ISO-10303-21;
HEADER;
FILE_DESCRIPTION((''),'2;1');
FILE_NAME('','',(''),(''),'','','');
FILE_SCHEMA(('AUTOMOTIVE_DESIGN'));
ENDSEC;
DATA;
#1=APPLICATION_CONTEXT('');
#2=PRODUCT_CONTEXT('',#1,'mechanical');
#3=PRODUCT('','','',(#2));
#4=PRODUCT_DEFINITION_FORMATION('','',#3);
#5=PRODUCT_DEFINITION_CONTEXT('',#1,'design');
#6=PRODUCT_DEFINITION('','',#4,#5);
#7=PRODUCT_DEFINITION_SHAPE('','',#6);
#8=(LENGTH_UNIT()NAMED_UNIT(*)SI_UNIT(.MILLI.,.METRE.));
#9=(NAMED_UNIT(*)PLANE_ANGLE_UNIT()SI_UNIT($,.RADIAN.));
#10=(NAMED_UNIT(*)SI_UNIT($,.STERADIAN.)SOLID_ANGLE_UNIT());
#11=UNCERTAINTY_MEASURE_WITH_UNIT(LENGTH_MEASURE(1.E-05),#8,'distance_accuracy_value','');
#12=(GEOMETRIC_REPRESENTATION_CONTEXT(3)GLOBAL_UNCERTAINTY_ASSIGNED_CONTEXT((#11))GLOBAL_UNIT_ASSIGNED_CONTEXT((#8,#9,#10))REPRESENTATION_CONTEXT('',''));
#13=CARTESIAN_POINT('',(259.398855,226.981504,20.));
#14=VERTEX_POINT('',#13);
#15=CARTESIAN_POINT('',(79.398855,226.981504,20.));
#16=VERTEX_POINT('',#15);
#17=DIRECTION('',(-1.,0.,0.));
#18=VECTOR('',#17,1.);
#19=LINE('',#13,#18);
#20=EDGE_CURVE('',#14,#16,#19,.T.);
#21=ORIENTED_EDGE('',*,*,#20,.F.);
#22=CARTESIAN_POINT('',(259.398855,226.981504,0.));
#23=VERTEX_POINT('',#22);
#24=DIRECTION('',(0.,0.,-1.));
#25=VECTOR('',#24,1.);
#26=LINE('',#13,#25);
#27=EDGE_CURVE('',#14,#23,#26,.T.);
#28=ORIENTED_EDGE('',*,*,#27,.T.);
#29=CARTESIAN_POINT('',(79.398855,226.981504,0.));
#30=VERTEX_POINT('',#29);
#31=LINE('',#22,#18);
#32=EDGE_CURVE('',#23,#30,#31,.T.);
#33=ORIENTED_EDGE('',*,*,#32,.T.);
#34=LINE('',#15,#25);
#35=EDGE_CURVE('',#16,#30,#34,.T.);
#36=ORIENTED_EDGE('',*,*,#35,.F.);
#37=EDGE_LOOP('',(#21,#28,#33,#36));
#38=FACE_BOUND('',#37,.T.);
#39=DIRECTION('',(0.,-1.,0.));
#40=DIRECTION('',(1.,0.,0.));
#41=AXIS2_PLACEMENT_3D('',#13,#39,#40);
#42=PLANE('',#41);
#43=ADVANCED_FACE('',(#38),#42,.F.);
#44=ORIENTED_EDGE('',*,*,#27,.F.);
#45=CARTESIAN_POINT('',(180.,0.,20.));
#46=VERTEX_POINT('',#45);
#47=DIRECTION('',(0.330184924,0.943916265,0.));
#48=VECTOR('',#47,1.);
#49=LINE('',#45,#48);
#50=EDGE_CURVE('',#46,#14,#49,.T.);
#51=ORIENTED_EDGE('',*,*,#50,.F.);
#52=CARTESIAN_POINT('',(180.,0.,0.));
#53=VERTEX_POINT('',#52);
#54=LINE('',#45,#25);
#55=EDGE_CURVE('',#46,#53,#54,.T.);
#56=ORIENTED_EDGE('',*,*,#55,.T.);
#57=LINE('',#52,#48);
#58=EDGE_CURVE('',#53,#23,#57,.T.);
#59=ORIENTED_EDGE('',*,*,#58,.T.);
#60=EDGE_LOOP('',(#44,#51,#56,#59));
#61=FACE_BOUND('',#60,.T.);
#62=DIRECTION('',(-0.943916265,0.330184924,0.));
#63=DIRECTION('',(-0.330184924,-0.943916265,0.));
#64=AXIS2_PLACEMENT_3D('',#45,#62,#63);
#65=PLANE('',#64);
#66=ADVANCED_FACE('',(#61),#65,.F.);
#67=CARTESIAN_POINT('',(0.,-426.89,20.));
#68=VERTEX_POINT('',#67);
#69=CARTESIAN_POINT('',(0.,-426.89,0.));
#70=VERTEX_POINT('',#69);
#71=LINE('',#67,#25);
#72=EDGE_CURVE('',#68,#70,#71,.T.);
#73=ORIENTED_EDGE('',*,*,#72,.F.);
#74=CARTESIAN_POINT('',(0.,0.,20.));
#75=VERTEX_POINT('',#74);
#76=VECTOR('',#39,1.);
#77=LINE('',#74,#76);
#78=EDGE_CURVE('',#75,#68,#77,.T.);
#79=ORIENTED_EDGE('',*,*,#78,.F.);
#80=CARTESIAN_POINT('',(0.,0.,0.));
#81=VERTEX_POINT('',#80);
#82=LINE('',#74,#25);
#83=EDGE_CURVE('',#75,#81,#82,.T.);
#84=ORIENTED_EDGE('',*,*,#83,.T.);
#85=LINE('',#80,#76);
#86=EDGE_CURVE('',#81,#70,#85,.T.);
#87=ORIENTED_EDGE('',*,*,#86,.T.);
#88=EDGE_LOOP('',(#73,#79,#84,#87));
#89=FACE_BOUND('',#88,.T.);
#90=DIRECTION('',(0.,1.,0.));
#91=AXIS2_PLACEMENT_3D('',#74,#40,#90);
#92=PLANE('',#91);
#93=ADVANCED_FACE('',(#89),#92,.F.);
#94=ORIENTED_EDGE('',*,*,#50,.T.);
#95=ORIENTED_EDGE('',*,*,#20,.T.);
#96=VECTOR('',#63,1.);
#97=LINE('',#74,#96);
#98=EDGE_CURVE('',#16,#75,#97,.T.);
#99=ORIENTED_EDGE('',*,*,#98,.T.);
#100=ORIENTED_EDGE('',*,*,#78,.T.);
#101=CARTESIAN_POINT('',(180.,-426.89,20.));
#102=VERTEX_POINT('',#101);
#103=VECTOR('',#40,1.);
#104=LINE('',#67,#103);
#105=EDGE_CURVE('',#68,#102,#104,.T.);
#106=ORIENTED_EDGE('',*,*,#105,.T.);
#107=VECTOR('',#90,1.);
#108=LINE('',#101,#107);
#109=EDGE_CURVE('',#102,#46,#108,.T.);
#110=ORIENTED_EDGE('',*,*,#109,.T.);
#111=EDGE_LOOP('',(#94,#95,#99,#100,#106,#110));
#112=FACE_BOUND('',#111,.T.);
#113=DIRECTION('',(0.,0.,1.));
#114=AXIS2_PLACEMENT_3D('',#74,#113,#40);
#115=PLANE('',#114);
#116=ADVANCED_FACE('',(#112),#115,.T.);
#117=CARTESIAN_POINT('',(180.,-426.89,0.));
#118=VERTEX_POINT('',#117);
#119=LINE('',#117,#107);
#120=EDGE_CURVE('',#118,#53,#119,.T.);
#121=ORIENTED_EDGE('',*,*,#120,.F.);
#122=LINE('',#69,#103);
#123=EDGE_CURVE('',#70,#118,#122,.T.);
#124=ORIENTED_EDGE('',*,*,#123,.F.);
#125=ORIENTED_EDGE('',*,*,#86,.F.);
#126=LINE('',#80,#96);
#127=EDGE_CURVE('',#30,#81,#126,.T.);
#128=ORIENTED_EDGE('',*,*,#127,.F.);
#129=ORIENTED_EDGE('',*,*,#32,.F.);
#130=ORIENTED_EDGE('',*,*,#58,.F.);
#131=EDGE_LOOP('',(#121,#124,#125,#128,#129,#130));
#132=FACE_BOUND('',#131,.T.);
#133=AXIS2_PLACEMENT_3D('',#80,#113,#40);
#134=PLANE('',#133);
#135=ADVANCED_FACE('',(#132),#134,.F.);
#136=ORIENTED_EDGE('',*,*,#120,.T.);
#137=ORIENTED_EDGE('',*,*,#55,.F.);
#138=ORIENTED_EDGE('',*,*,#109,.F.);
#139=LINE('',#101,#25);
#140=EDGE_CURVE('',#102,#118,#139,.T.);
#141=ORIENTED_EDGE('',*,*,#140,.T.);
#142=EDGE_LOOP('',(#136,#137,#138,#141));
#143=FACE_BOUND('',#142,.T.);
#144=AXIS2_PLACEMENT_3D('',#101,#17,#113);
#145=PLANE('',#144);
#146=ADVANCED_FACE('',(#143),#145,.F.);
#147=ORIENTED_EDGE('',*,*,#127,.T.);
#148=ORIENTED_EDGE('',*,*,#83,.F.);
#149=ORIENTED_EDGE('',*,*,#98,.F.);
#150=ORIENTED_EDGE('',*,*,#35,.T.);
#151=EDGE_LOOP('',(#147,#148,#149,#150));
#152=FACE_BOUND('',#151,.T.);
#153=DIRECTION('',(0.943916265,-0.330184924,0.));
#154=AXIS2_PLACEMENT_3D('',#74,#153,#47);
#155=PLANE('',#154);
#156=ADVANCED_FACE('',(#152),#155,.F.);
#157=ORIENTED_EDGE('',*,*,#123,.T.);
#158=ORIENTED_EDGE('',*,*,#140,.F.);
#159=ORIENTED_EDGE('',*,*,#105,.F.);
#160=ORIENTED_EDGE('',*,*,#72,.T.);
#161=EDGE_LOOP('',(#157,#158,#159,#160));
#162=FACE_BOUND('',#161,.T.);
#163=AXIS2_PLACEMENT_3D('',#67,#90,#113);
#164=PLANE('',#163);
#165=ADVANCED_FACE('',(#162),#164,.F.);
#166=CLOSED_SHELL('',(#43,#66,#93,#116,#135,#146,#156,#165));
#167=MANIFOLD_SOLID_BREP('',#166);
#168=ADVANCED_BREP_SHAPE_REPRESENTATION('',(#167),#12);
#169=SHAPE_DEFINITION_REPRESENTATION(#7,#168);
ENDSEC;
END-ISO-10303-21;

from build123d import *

# Parameters (mm, degrees)
BOSS_EXTRUDE1_DEPTH = 20


with BuildPart() as part:
    # Sketch1 → Boss-Extrude1 (new body)
    with BuildSketch(Plane.XY):
        Polygon((0, 0), (0, -426.89), (180, -426.89), (180, 0), (259.398855033, 226.981504278), (79.398855033, 226.981504278), align=None)
    extrude(amount=BOSS_EXTRUDE1_DEPTH)


solid = part.part
